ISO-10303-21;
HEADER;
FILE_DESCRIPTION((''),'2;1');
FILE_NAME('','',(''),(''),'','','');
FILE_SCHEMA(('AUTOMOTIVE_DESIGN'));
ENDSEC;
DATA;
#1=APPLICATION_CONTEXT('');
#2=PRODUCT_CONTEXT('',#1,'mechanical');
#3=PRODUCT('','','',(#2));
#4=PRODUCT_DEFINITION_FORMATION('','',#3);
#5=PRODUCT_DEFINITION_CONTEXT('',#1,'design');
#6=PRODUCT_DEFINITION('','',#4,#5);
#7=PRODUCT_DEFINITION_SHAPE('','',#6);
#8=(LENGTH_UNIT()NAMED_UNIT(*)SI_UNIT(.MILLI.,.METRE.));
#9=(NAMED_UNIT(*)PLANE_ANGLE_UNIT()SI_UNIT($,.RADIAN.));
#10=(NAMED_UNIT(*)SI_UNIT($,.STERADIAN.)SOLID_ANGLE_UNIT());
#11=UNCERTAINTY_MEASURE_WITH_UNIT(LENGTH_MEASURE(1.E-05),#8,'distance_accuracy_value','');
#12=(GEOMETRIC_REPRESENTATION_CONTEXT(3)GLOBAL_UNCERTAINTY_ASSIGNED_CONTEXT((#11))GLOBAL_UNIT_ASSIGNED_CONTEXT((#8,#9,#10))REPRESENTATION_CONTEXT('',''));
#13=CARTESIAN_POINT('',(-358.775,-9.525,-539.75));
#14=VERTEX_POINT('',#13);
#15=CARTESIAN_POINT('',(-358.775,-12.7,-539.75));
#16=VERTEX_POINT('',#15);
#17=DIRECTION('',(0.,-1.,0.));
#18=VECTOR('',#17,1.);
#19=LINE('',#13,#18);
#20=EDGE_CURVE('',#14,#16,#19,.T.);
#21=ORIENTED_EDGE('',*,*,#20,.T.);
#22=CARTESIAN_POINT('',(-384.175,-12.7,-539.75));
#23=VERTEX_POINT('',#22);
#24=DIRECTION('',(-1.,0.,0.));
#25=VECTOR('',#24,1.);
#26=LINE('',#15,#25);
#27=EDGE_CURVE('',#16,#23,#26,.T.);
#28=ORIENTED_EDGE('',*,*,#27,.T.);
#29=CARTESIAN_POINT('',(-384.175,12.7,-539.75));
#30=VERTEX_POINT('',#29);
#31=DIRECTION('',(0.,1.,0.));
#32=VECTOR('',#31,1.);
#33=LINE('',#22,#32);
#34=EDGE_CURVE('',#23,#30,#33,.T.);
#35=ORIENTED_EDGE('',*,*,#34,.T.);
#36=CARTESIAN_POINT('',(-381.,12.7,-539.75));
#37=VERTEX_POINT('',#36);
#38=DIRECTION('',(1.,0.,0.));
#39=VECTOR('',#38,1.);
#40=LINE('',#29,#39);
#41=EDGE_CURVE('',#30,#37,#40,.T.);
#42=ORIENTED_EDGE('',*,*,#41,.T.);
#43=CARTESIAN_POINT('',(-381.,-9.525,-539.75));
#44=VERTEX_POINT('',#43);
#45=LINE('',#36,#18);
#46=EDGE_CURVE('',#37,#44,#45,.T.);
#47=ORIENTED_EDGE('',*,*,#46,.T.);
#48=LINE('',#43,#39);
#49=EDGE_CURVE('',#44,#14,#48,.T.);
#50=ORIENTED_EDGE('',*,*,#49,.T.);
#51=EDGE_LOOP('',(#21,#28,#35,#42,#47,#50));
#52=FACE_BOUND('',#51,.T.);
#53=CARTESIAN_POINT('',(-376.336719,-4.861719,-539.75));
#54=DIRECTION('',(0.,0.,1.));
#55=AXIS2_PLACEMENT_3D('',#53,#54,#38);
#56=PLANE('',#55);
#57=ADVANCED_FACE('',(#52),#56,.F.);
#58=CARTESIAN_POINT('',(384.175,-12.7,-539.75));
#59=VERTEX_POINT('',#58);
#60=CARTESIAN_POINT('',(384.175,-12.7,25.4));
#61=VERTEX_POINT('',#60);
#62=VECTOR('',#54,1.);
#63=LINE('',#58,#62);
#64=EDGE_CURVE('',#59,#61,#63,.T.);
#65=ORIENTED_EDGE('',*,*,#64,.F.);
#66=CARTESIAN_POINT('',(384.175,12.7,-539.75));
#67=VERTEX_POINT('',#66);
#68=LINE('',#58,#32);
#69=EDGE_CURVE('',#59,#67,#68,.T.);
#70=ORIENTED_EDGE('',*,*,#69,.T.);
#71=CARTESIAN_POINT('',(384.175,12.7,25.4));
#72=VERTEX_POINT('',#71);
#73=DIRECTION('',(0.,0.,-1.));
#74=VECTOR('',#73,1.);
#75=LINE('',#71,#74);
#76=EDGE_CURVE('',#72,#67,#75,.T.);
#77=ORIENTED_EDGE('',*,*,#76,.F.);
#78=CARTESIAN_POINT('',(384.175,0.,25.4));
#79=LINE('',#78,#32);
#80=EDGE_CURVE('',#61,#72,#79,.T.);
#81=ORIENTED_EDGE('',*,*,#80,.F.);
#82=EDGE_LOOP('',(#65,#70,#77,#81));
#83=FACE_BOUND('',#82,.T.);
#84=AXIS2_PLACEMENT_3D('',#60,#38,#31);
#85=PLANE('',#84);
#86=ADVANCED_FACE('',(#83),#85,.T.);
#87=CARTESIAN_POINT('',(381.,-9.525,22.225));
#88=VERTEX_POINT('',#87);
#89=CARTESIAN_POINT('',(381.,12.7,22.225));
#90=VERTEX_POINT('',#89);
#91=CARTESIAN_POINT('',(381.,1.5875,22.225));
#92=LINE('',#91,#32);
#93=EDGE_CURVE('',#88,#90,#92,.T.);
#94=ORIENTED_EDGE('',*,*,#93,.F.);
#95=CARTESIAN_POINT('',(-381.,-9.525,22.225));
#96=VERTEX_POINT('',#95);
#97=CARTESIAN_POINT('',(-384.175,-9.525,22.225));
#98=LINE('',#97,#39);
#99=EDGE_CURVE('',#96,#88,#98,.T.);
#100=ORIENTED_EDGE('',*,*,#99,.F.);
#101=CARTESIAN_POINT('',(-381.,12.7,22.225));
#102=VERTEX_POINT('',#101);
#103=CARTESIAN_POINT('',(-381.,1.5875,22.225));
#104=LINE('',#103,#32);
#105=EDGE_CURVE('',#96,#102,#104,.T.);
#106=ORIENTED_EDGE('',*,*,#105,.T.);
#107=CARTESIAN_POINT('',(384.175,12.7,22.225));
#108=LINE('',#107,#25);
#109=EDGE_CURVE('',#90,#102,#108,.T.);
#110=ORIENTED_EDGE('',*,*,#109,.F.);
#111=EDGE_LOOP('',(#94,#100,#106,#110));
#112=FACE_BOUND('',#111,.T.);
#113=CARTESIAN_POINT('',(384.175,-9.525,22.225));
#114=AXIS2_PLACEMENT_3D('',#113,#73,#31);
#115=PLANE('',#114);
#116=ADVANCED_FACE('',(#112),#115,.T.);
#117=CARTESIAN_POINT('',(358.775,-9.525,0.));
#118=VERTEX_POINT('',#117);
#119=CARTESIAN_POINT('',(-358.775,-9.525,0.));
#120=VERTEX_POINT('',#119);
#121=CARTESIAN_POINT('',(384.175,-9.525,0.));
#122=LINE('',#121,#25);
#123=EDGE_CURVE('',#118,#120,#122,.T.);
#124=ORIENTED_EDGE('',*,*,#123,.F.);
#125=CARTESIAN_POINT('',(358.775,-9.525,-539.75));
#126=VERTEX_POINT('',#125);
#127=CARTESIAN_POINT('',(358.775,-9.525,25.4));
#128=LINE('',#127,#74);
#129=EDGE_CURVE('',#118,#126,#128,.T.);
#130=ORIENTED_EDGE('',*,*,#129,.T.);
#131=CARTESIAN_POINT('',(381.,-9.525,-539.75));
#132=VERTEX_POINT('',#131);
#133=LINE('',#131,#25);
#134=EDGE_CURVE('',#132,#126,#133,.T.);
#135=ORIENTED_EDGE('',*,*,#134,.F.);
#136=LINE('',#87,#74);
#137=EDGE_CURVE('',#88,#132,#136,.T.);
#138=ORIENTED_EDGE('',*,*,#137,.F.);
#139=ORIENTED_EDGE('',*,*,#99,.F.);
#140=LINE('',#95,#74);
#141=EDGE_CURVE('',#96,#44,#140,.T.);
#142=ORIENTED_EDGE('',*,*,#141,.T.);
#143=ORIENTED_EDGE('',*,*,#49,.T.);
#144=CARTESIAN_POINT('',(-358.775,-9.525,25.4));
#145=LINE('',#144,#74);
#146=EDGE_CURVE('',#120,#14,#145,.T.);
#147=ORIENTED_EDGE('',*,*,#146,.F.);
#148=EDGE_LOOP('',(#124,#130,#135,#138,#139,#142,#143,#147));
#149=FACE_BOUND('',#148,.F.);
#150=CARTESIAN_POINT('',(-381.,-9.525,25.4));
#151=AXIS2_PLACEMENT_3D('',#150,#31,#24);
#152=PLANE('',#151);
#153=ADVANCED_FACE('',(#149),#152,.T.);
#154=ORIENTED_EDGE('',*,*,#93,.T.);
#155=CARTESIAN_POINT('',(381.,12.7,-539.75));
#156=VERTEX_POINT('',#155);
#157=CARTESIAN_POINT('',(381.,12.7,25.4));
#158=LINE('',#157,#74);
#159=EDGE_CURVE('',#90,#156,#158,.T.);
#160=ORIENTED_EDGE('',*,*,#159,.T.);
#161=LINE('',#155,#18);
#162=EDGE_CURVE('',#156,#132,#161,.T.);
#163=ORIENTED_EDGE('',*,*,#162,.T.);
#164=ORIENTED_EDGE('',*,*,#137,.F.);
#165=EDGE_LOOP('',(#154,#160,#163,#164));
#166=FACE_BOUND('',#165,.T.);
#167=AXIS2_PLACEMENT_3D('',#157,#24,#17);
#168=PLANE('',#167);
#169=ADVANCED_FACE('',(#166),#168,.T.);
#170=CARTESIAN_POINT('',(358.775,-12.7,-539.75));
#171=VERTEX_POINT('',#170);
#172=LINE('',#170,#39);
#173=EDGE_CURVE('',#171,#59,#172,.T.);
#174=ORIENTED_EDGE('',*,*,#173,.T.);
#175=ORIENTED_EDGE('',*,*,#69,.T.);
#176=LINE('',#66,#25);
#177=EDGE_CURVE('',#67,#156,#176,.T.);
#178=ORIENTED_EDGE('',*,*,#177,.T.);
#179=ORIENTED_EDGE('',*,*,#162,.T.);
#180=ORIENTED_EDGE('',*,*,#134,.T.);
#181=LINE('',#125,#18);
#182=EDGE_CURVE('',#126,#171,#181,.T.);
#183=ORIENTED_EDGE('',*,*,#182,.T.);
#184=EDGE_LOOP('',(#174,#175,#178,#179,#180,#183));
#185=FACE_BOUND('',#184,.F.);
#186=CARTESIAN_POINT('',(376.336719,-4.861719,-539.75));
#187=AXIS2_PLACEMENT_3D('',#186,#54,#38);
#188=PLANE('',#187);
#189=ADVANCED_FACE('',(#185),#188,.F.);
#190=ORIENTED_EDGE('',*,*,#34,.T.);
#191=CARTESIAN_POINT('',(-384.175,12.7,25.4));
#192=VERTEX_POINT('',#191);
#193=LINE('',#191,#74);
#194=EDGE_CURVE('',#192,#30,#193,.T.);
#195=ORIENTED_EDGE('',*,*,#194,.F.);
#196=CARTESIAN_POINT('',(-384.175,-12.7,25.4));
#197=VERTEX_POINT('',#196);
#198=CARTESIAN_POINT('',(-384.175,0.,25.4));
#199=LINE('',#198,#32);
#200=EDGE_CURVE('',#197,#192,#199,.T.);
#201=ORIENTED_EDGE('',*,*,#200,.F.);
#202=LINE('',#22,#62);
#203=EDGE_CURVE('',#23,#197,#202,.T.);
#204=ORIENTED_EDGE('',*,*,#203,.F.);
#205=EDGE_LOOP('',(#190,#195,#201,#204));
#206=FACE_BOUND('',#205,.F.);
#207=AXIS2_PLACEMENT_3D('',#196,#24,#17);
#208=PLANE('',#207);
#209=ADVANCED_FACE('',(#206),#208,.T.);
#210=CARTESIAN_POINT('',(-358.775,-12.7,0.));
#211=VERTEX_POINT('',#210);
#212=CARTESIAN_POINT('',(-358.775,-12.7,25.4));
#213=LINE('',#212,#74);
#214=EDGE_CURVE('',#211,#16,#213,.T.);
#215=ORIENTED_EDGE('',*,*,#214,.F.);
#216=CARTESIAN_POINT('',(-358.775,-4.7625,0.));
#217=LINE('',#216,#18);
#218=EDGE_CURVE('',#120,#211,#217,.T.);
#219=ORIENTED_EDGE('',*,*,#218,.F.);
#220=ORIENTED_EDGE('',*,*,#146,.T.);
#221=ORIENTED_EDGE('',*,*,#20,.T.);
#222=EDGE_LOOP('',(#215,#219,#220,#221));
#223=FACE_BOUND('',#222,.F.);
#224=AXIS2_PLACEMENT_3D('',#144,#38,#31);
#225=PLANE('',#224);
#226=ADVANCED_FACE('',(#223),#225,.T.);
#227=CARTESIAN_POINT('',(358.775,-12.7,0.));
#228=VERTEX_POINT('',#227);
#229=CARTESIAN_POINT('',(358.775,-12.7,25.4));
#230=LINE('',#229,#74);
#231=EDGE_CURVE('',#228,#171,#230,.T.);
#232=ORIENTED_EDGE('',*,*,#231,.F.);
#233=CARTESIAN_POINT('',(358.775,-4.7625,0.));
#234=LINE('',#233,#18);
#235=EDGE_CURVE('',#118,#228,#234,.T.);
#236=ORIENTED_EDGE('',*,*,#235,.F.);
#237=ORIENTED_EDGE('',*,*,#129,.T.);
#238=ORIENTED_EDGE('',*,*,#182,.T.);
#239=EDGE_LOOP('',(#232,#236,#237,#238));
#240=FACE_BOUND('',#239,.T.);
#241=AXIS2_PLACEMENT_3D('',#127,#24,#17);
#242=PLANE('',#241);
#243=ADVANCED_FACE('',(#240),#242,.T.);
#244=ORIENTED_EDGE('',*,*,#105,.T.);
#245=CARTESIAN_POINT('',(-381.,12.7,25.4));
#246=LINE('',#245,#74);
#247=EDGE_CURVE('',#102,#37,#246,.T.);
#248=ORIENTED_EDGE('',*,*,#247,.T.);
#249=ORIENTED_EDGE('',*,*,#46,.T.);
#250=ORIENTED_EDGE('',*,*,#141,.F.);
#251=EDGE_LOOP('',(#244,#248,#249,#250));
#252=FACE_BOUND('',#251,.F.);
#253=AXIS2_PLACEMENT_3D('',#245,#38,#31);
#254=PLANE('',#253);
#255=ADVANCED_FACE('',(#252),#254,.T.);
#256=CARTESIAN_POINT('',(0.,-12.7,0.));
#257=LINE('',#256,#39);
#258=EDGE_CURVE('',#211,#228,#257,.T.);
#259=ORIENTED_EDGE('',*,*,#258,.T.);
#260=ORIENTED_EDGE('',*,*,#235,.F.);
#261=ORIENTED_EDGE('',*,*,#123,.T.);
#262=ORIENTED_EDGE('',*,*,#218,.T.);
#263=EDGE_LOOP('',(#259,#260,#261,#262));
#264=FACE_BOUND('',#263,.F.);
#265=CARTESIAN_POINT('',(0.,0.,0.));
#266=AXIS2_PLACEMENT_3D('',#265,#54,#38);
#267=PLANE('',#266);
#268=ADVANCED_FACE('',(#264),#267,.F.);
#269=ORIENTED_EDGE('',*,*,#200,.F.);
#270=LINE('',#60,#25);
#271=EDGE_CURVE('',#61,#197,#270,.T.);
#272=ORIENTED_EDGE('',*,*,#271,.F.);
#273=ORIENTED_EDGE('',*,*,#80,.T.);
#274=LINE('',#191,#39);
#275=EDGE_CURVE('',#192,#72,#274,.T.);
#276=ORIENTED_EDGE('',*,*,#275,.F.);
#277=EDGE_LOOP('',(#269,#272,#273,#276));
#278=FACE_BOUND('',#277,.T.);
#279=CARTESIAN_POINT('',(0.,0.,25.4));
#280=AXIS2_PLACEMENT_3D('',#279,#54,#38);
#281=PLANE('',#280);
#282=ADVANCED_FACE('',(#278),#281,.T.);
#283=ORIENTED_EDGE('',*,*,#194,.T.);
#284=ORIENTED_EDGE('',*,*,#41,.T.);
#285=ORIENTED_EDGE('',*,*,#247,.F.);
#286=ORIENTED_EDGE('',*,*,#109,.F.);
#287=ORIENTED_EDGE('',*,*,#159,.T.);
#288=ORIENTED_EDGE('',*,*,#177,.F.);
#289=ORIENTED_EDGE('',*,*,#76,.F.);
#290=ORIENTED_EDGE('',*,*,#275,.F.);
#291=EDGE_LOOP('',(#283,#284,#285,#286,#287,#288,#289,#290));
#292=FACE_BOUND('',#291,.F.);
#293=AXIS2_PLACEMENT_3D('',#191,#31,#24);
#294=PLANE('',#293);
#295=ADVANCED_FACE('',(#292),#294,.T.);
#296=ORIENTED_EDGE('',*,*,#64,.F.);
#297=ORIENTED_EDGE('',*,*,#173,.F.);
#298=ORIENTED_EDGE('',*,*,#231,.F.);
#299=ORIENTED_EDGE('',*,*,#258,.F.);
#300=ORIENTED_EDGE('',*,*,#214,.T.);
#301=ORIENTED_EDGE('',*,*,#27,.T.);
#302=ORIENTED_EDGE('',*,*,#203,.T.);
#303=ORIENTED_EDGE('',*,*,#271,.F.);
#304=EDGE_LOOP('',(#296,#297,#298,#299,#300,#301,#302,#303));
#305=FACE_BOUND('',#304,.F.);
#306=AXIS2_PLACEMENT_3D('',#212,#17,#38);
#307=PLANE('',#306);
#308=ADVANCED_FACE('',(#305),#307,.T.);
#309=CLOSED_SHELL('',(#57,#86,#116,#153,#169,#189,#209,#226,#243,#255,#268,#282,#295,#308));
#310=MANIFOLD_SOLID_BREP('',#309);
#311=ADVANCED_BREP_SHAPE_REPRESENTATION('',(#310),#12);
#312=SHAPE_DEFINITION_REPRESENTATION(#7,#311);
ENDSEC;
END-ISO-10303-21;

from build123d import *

# Parameters (mm, degrees)
F0_W     = 768.35
F0_H     = 25.4
F1_DEPTH = 25.4
F2_W     = 22.225
F2_H     = 22.225
F3_DEPTH = 768.351
F5_DEPTH = 565.15


with BuildPart() as f1:
    # F0 (on Top) → F1 (new body)
    with BuildSketch(Plane.XY):
        Rectangle(F0_W, F0_H)
    extrude(amount=F1_DEPTH)

    # F2 (on face) → F3 (cut, through all)
    with BuildSketch(Plane.YZ.offset(384.175)):
        with Locations((1.5875, 11.1125)):
            Rectangle(F2_W, F2_H)
    extrude(amount=-F3_DEPTH, mode=Mode.SUBTRACT)

    # F4 (on face) → F5 (join)
    with BuildSketch(Plane.XY.offset(25.4)):
        Polygon((384.175, -12.7), (384.175, 12.7), (381, 12.7), (381, -9.525), (358.775, -9.525), (358.775, -12.7), align=None)
    extrude(amount=-F5_DEPTH)

    # F6: F1 across plane


with BuildPart() as f1_1:
    add(f1.part)
    add(f1.part.mirror(Plane.YZ))


solid = f1_1.part
